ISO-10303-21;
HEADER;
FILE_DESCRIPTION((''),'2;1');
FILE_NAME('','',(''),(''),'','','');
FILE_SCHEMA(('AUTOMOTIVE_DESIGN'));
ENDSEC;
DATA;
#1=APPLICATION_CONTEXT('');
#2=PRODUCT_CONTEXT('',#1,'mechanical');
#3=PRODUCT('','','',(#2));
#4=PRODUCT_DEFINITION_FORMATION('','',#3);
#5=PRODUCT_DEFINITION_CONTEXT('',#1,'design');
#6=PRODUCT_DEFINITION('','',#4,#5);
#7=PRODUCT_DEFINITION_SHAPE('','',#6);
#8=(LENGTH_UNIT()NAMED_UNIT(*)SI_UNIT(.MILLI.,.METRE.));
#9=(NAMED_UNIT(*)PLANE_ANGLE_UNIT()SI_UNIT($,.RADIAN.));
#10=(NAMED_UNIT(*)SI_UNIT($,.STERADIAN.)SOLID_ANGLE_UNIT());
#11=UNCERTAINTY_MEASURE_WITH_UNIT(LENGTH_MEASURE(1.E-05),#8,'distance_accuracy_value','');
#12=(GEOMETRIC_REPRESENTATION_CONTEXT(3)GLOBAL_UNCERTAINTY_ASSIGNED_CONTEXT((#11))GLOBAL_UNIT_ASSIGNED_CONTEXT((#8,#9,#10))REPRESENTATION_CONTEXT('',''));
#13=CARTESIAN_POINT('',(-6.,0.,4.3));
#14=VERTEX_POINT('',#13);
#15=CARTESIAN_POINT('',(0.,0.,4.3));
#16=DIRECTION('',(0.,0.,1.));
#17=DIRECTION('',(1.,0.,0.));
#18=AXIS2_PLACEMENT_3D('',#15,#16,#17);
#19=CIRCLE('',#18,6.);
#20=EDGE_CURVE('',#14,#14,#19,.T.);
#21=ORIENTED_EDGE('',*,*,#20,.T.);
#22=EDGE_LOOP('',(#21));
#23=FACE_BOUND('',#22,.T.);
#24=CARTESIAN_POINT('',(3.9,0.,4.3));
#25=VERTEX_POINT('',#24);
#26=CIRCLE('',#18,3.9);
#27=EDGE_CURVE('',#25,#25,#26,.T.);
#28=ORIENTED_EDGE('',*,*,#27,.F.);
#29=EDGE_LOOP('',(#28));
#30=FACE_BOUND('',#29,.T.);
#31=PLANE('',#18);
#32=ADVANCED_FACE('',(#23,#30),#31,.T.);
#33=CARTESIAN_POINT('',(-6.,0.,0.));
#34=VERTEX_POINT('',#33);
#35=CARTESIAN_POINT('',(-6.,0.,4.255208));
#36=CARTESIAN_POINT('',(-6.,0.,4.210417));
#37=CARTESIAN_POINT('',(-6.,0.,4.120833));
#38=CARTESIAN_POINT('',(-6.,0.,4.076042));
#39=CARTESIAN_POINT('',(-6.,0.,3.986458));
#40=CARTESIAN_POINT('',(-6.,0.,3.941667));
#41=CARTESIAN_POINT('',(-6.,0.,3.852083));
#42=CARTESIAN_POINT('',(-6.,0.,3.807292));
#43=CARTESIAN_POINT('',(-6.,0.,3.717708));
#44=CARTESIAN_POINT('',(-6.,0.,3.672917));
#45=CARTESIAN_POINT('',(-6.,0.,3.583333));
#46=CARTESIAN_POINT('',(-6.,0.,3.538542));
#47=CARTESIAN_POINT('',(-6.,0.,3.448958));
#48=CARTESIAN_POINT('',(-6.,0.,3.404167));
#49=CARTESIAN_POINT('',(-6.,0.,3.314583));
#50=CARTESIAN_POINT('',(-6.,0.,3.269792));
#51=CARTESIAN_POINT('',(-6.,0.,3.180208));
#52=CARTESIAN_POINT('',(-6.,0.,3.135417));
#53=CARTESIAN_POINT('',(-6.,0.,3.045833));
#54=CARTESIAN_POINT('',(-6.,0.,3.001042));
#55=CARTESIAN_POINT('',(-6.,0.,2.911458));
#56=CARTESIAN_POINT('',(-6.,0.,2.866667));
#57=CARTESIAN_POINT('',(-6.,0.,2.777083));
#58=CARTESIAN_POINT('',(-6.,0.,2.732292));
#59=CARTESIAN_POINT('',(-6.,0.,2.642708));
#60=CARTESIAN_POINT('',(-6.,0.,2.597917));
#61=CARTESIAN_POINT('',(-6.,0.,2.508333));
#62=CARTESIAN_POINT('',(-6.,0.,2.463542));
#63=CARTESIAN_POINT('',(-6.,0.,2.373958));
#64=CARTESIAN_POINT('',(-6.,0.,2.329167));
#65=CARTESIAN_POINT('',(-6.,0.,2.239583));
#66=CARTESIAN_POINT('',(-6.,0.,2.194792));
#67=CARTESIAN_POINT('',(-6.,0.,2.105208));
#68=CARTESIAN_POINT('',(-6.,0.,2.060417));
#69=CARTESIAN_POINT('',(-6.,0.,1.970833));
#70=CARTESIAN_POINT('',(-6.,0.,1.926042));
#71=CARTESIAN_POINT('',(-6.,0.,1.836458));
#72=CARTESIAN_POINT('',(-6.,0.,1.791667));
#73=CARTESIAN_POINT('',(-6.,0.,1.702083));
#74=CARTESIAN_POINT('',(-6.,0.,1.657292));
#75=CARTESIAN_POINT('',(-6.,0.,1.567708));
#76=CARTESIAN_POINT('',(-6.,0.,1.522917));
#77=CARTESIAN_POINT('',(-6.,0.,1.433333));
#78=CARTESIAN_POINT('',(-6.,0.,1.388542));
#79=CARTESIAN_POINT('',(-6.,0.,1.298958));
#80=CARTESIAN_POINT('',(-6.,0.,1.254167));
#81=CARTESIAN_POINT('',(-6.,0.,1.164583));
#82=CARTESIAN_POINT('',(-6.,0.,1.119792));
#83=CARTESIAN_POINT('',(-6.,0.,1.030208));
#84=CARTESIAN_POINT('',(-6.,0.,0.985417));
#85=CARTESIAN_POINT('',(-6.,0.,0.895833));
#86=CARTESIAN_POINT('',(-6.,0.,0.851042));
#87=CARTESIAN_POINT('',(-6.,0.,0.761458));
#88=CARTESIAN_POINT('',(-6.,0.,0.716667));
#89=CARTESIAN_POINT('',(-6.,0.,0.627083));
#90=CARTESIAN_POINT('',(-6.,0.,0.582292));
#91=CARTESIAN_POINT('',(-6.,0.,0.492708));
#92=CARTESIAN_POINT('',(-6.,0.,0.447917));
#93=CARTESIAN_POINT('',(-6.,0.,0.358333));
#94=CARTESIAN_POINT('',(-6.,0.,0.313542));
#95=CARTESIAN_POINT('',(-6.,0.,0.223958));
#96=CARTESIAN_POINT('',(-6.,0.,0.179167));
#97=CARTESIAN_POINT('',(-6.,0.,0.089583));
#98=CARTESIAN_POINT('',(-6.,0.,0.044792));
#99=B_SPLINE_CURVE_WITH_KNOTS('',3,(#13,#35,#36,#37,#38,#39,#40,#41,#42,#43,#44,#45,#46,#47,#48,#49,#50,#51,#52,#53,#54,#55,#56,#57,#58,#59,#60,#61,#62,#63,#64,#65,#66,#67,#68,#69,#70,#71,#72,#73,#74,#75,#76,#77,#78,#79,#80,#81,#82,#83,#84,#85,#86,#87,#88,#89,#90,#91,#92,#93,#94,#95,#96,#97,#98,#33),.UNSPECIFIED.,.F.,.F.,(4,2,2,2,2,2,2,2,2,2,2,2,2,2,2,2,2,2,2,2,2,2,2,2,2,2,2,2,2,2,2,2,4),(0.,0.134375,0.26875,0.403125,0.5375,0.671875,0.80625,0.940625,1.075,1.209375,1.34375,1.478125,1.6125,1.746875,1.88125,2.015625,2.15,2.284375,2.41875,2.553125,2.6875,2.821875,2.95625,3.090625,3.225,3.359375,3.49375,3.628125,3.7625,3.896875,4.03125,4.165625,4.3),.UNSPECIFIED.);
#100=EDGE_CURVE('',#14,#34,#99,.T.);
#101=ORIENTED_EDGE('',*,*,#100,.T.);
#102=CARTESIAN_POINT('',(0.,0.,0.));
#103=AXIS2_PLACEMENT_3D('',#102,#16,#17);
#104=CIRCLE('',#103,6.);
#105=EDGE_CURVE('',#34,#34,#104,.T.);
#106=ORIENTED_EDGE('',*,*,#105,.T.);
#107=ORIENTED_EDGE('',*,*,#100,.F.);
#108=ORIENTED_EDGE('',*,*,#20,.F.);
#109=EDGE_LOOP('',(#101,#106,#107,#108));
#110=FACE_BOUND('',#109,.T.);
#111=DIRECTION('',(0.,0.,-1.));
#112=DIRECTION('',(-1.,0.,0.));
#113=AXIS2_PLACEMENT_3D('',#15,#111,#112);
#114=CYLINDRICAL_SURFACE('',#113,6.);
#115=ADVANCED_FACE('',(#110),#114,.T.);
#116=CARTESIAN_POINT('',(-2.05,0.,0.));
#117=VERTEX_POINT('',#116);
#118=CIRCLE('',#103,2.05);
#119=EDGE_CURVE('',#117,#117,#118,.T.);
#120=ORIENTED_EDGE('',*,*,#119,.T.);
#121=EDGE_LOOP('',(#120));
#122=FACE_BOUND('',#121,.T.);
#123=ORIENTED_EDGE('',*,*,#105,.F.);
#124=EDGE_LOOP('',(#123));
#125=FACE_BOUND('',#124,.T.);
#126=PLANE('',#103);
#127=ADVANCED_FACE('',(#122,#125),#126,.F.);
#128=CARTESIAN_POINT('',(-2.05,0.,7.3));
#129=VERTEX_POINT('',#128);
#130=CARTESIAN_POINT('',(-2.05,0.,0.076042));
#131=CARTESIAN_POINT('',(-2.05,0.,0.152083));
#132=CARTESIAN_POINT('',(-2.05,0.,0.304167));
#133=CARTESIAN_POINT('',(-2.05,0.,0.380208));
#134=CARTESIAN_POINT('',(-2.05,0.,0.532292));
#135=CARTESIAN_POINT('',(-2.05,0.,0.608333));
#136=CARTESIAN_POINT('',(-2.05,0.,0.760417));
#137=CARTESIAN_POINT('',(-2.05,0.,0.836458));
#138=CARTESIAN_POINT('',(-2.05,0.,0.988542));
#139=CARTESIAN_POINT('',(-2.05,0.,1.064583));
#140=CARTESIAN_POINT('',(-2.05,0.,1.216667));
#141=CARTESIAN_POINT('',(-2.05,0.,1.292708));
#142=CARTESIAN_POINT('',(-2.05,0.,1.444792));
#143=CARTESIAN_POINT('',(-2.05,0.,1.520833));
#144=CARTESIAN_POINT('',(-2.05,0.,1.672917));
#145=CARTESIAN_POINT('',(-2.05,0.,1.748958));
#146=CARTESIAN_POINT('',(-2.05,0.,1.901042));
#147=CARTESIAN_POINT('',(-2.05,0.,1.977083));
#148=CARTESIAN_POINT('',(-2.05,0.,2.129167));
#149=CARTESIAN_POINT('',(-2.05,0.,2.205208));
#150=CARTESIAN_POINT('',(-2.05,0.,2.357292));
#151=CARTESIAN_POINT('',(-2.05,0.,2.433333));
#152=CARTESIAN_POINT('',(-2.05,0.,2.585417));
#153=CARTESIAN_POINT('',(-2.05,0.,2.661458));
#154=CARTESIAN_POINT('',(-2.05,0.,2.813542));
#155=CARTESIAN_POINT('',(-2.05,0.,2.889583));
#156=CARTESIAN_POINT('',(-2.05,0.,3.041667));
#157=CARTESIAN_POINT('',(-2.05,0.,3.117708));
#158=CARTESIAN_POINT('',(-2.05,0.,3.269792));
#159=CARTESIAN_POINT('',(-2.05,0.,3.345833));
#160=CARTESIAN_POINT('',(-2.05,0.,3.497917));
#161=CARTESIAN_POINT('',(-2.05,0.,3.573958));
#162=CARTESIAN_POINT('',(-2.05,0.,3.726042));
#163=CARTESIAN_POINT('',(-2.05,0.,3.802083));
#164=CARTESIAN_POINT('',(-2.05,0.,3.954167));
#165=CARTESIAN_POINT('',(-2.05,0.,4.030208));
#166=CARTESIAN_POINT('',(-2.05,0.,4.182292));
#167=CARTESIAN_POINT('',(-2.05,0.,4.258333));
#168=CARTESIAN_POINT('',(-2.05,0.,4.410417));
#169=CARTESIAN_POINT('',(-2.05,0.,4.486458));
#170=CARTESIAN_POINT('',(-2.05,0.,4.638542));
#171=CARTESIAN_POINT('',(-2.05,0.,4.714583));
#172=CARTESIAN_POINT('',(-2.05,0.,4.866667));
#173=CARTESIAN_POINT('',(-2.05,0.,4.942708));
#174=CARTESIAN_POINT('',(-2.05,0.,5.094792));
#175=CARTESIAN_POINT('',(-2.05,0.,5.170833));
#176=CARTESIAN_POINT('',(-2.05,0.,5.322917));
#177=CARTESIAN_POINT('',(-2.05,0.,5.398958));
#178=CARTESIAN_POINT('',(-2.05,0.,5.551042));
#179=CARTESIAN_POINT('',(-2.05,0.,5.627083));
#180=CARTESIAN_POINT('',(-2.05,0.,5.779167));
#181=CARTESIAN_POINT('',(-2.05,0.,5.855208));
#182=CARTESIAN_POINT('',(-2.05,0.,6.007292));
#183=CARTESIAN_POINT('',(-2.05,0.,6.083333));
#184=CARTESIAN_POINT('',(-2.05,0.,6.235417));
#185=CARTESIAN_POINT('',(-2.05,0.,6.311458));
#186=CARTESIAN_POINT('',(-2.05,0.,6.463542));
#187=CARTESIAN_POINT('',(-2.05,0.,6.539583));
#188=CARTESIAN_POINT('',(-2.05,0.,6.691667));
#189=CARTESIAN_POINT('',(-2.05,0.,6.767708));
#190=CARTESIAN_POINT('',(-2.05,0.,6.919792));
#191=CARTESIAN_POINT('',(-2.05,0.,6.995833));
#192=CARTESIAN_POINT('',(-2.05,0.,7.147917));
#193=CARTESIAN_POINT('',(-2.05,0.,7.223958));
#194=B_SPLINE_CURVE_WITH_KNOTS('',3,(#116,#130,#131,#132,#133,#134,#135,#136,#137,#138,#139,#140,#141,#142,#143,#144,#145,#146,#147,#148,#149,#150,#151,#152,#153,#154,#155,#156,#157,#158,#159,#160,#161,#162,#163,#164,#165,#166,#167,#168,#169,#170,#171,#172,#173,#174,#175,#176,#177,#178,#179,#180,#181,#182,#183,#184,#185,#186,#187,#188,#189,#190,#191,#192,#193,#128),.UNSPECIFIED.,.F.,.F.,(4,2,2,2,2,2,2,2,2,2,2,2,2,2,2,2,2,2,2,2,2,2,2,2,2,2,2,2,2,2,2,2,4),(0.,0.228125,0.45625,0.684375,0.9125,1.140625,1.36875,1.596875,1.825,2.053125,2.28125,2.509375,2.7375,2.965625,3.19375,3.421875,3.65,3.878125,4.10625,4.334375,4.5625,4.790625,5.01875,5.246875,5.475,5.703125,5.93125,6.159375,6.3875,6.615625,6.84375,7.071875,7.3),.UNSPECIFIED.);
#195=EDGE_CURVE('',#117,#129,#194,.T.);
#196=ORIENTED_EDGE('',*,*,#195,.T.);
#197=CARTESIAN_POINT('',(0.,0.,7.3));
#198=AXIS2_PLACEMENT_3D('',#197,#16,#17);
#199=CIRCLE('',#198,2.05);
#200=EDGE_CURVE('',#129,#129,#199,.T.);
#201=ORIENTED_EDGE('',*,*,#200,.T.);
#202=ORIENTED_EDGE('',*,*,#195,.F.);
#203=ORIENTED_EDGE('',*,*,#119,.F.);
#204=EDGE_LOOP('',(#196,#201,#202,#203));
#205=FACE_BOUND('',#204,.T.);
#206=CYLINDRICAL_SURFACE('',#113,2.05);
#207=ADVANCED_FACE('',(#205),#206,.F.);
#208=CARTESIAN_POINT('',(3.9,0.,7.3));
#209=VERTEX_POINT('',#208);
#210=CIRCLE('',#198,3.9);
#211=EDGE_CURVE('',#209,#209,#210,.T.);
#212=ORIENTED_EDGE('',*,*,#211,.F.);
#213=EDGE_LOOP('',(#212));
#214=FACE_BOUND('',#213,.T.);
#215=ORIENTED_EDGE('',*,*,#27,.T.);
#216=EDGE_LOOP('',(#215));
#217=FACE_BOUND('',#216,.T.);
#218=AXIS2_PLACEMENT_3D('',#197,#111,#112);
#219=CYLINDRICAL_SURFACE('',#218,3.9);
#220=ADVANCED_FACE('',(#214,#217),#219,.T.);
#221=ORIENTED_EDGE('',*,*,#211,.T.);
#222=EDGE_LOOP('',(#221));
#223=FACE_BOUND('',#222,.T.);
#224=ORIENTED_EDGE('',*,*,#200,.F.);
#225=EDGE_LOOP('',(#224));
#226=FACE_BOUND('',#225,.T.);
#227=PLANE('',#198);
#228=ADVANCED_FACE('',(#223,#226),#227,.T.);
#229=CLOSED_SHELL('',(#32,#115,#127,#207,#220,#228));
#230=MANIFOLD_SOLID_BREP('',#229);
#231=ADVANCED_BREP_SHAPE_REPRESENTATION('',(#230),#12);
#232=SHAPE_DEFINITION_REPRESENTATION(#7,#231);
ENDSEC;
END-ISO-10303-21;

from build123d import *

# Parameters (mm, degrees)
SKETCH1_R           = 6
SKETCH1_R_2         = 2.05
BOSS_EXTRUDE1_DEPTH = 4.3
SKETCH2_R           = 3.9
SKETCH2_R_2         = 2.05
BOSS_EXTRUDE2_DEPTH = 3


with BuildPart() as part:
    # Sketch1 → Boss-Extrude1 (new body)
    with BuildSketch(Plane.XY):
        with Locations(Location((0, 0, 0), (0, 0, 180))):
            Circle(SKETCH1_R)
        with Locations(Location((0, 0, 0), (0, 0, 180))):
            Circle(SKETCH1_R_2, mode=Mode.SUBTRACT)
    extrude(amount=BOSS_EXTRUDE1_DEPTH)

    # Sketch2 → Boss-Extrude2 (add)
    with BuildSketch(Plane.XY.offset(4.3)):
        Circle(SKETCH2_R)
        with Locations(Location((0, 0, 0), (0, 0, 180))):
            Circle(SKETCH2_R_2, mode=Mode.SUBTRACT)
    extrude(amount=BOSS_EXTRUDE2_DEPTH)


solid = part.part
